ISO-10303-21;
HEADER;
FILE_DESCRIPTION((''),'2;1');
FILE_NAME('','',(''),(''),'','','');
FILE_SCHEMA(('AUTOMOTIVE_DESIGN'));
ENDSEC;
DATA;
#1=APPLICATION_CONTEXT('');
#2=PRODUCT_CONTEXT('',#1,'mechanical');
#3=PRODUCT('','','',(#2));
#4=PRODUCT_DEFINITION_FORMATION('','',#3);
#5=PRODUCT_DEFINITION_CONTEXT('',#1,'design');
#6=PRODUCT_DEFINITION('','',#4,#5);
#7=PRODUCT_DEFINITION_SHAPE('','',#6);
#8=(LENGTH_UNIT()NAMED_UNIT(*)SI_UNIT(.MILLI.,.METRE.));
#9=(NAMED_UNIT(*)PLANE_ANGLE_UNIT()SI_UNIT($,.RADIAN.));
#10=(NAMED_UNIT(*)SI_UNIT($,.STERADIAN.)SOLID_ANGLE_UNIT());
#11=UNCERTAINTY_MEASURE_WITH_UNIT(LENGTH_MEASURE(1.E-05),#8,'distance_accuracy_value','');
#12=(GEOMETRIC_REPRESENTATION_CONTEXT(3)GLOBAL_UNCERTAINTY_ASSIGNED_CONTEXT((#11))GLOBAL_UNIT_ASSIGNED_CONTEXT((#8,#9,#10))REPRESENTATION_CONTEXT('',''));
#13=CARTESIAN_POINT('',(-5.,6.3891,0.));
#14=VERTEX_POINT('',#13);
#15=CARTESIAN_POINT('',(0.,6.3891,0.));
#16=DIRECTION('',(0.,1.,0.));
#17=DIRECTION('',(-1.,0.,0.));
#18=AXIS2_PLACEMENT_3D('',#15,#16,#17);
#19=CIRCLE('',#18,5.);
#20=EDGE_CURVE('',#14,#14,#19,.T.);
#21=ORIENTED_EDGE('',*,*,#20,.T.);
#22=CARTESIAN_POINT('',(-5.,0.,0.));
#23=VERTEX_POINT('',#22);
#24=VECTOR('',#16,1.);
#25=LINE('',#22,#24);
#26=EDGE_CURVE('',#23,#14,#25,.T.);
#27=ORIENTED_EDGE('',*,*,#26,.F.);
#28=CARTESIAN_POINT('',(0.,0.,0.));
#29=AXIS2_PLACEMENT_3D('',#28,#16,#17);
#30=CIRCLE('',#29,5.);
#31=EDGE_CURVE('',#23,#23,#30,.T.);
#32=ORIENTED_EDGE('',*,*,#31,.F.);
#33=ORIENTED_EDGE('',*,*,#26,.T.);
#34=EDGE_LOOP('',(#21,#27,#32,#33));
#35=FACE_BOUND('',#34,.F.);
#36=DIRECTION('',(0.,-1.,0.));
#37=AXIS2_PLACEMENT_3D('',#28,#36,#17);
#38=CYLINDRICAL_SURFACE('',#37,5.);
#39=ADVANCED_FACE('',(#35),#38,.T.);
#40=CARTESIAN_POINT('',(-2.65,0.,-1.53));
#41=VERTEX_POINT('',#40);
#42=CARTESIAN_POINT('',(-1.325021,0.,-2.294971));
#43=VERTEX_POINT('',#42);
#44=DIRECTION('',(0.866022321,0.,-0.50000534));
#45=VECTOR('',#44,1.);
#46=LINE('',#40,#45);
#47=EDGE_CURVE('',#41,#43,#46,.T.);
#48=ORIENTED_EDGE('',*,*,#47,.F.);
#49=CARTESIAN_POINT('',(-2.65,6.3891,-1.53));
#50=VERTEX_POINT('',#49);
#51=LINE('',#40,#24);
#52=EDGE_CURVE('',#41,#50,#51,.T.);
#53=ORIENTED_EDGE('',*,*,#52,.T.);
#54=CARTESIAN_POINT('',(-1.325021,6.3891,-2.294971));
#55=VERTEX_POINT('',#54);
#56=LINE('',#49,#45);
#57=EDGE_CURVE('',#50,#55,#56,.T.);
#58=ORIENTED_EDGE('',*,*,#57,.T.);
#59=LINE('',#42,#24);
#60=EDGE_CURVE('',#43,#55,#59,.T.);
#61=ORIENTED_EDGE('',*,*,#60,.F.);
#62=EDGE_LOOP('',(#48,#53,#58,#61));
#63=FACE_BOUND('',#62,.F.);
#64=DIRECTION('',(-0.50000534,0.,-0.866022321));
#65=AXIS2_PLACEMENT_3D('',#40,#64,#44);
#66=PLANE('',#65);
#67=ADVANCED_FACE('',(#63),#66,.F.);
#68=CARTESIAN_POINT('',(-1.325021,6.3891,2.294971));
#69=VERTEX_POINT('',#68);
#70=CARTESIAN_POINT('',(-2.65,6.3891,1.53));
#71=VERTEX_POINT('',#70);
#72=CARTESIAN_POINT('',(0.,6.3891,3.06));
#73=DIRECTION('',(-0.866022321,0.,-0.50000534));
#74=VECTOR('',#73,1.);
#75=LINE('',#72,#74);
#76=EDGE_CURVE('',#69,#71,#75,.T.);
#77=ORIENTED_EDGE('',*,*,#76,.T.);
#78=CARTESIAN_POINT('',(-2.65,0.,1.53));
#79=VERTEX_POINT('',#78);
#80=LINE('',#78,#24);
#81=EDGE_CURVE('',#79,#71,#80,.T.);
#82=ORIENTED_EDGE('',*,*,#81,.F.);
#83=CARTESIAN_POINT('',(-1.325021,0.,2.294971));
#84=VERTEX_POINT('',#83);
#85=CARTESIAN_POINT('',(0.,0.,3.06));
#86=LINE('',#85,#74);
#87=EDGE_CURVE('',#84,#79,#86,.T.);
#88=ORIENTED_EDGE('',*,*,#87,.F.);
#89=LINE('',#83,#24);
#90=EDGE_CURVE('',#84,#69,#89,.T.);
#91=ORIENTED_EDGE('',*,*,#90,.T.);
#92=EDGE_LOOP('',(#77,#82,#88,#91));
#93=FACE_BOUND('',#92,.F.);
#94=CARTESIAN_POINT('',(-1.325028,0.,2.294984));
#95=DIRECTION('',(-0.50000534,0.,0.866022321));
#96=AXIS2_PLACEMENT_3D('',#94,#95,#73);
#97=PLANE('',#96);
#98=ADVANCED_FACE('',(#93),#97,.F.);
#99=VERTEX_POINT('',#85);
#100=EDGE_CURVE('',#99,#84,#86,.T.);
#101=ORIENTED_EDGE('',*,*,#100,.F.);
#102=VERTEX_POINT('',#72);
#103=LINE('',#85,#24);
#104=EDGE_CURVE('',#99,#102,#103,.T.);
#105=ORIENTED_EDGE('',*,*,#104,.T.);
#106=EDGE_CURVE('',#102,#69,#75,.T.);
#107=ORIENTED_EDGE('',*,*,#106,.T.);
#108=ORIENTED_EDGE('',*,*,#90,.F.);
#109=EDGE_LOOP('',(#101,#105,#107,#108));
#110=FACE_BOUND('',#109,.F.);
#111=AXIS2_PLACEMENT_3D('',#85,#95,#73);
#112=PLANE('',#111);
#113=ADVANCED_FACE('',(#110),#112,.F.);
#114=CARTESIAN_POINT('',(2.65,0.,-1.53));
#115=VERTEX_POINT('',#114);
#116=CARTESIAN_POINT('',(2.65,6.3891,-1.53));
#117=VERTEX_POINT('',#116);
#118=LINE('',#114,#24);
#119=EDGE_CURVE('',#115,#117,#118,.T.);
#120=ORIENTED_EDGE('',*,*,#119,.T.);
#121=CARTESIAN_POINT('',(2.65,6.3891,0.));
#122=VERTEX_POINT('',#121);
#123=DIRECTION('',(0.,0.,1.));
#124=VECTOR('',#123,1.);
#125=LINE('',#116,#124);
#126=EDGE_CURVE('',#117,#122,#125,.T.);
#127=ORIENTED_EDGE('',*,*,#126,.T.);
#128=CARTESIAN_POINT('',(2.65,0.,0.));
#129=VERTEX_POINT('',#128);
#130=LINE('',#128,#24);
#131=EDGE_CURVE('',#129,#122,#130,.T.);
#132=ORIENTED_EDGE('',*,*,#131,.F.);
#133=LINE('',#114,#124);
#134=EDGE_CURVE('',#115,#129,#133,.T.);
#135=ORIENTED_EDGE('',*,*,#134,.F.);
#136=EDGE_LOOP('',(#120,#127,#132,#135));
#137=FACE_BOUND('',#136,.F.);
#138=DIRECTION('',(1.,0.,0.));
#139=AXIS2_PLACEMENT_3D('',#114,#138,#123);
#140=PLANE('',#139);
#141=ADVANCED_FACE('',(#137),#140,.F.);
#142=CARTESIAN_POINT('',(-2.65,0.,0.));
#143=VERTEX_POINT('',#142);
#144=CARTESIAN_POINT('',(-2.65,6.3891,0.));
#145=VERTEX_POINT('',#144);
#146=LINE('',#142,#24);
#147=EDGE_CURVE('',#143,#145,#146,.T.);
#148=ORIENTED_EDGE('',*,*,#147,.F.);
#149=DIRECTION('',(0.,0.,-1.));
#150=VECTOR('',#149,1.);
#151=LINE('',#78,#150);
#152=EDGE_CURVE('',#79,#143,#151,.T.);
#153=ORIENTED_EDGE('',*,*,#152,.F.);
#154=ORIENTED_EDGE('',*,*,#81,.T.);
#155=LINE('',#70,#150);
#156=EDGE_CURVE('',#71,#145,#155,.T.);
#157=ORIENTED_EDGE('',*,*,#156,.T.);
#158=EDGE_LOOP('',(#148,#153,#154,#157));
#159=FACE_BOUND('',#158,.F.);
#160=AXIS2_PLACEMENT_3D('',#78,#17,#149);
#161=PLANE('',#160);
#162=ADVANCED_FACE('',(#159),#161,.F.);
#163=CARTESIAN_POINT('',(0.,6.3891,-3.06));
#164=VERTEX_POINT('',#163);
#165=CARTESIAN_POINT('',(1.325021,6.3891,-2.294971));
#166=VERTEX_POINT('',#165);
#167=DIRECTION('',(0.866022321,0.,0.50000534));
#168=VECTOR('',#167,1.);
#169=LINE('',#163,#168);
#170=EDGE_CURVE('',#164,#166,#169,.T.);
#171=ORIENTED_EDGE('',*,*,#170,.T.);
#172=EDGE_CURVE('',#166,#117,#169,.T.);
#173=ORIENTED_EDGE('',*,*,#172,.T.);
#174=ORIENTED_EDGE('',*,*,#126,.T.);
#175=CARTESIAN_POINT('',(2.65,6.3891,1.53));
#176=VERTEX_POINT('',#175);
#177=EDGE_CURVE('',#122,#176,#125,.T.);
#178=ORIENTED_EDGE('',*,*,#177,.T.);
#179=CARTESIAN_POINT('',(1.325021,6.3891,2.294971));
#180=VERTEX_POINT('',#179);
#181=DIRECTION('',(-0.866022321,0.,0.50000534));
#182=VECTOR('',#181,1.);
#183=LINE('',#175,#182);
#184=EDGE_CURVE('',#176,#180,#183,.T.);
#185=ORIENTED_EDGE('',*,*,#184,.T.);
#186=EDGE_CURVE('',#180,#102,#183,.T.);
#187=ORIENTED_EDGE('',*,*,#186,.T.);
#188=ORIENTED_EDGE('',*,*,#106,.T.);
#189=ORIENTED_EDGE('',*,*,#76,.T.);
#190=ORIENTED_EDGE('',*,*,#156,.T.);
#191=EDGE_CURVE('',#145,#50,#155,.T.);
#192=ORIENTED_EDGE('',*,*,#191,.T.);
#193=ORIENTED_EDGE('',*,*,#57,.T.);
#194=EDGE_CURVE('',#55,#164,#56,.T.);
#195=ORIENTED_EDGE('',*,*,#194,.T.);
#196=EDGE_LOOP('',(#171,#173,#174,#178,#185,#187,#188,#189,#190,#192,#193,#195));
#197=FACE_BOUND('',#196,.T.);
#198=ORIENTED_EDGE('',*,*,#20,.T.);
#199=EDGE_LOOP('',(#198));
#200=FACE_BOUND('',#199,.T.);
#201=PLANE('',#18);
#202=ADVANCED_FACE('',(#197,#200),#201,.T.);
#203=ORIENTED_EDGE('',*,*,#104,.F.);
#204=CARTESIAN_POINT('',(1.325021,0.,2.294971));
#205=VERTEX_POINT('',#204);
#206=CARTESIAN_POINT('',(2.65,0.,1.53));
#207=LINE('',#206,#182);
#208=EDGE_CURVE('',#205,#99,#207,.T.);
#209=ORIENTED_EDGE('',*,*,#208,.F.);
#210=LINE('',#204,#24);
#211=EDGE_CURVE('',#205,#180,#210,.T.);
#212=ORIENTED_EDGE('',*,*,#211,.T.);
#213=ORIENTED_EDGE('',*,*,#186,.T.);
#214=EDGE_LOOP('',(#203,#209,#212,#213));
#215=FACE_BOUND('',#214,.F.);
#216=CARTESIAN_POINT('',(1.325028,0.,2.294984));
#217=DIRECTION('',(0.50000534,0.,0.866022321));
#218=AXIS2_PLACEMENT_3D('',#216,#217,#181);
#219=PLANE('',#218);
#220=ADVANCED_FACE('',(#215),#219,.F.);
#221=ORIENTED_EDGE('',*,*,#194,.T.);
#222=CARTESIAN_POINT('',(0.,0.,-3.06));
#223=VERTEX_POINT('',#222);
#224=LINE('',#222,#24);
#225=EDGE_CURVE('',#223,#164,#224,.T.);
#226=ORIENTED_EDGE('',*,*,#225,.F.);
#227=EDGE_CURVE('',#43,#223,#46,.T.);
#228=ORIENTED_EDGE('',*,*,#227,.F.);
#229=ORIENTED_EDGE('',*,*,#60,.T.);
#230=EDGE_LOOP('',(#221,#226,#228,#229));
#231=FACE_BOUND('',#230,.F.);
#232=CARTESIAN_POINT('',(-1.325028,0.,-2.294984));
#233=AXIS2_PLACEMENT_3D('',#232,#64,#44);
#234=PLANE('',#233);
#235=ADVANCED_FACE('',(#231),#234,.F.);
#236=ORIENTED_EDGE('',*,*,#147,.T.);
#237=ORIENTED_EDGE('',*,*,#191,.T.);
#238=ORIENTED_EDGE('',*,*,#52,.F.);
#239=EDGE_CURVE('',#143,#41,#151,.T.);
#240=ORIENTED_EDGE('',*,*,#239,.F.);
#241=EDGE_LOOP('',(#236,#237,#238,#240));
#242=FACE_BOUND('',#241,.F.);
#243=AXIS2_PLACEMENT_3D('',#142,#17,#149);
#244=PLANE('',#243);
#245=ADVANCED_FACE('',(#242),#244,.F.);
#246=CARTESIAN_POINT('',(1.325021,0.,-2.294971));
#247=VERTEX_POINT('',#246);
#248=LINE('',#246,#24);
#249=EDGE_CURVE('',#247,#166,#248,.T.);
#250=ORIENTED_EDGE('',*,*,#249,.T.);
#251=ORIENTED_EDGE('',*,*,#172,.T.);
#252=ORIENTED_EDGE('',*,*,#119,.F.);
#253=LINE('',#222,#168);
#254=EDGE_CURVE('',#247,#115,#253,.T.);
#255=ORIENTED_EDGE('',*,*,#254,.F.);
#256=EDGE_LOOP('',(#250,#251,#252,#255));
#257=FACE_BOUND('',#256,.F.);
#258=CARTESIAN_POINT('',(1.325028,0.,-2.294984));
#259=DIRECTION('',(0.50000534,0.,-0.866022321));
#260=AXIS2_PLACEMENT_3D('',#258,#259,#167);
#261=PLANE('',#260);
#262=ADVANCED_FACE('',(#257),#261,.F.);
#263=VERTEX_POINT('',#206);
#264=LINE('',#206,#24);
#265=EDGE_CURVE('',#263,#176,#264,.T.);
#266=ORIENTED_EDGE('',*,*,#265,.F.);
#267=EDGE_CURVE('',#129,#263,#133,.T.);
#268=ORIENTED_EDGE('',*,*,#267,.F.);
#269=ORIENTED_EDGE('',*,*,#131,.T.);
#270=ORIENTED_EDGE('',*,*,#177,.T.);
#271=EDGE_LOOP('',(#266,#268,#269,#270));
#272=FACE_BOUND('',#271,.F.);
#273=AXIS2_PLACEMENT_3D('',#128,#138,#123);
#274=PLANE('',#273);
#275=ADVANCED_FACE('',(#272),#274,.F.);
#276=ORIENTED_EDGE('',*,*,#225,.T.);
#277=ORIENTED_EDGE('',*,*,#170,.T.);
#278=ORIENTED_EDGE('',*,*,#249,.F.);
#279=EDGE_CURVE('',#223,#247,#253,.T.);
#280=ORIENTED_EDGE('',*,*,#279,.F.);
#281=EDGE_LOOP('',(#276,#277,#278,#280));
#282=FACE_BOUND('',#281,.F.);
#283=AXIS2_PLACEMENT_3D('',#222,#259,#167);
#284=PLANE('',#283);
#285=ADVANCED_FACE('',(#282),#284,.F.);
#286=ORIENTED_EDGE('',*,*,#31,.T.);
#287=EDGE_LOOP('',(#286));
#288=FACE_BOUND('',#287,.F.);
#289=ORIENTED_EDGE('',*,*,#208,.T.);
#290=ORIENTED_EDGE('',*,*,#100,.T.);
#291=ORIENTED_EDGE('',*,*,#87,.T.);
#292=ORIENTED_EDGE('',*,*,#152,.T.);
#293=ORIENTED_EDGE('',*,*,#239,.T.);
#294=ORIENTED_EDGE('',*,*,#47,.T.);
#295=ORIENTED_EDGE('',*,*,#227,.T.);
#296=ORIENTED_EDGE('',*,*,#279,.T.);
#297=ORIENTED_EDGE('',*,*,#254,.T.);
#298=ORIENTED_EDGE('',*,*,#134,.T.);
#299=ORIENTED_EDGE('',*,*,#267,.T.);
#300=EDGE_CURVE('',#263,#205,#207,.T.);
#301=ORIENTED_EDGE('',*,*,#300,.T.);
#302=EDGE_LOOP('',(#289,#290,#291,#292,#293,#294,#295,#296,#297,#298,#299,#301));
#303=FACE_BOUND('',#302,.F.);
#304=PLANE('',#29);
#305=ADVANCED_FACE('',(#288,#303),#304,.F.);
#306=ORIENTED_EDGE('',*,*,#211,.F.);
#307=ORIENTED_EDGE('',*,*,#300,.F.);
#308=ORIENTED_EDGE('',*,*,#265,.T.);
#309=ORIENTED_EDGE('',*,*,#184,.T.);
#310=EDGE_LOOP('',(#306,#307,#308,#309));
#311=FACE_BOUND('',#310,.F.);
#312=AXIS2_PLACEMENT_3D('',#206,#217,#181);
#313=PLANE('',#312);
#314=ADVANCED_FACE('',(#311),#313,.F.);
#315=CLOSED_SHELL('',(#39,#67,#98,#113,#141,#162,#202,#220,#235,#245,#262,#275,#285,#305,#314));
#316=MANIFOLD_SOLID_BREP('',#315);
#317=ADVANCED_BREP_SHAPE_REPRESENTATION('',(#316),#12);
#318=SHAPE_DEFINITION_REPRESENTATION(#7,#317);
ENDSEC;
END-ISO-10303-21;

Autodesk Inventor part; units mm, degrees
ref_plane "YZ Plane" through (0, 0, 0) normal (1, 0, 0) x (0, 1, 0)
ref_plane "XZ Plane" through (0, 0, 0) normal (0, 1, 0) x (-1, 0, 0)
ref_plane "Work Plane1" through (-28.2023, 6.3891, -28.2023) normal (0, -1, 0) x (0.9921, 0, 0.1251)
sketch "Sketch1" plane through (0, 0, 0) normal (0, 1, 0) x (-1, 0, 0)
  circle A0 centre (0, 0) radius 2.65
  line L0 (2.65, -1.53) -> (0, -3.06)
  line L1 (0, -3.06) -> (-2.65, -1.53)
  line L2 (-2.65, -1.53) -> (-2.65, 1.53)
  line L3 (-2.65, 1.53) -> (0, 3.06)
  line L4 (0, 3.06) -> (2.65, 1.53)
  line L5 (2.65, 1.53) -> (2.65, -1.53)
  circle A1 centre (0, 0) radius 5
  point P0 (2.65, 0)
  dimension "d0" = 5.3
  dimension "d1" = 10
extrude "Extrusion1" add sketch "Sketch1" along normal up to surface (6.3891 mm away)
properties part number "5mm x 9.9mm Hex Spacer_3DPrint"
